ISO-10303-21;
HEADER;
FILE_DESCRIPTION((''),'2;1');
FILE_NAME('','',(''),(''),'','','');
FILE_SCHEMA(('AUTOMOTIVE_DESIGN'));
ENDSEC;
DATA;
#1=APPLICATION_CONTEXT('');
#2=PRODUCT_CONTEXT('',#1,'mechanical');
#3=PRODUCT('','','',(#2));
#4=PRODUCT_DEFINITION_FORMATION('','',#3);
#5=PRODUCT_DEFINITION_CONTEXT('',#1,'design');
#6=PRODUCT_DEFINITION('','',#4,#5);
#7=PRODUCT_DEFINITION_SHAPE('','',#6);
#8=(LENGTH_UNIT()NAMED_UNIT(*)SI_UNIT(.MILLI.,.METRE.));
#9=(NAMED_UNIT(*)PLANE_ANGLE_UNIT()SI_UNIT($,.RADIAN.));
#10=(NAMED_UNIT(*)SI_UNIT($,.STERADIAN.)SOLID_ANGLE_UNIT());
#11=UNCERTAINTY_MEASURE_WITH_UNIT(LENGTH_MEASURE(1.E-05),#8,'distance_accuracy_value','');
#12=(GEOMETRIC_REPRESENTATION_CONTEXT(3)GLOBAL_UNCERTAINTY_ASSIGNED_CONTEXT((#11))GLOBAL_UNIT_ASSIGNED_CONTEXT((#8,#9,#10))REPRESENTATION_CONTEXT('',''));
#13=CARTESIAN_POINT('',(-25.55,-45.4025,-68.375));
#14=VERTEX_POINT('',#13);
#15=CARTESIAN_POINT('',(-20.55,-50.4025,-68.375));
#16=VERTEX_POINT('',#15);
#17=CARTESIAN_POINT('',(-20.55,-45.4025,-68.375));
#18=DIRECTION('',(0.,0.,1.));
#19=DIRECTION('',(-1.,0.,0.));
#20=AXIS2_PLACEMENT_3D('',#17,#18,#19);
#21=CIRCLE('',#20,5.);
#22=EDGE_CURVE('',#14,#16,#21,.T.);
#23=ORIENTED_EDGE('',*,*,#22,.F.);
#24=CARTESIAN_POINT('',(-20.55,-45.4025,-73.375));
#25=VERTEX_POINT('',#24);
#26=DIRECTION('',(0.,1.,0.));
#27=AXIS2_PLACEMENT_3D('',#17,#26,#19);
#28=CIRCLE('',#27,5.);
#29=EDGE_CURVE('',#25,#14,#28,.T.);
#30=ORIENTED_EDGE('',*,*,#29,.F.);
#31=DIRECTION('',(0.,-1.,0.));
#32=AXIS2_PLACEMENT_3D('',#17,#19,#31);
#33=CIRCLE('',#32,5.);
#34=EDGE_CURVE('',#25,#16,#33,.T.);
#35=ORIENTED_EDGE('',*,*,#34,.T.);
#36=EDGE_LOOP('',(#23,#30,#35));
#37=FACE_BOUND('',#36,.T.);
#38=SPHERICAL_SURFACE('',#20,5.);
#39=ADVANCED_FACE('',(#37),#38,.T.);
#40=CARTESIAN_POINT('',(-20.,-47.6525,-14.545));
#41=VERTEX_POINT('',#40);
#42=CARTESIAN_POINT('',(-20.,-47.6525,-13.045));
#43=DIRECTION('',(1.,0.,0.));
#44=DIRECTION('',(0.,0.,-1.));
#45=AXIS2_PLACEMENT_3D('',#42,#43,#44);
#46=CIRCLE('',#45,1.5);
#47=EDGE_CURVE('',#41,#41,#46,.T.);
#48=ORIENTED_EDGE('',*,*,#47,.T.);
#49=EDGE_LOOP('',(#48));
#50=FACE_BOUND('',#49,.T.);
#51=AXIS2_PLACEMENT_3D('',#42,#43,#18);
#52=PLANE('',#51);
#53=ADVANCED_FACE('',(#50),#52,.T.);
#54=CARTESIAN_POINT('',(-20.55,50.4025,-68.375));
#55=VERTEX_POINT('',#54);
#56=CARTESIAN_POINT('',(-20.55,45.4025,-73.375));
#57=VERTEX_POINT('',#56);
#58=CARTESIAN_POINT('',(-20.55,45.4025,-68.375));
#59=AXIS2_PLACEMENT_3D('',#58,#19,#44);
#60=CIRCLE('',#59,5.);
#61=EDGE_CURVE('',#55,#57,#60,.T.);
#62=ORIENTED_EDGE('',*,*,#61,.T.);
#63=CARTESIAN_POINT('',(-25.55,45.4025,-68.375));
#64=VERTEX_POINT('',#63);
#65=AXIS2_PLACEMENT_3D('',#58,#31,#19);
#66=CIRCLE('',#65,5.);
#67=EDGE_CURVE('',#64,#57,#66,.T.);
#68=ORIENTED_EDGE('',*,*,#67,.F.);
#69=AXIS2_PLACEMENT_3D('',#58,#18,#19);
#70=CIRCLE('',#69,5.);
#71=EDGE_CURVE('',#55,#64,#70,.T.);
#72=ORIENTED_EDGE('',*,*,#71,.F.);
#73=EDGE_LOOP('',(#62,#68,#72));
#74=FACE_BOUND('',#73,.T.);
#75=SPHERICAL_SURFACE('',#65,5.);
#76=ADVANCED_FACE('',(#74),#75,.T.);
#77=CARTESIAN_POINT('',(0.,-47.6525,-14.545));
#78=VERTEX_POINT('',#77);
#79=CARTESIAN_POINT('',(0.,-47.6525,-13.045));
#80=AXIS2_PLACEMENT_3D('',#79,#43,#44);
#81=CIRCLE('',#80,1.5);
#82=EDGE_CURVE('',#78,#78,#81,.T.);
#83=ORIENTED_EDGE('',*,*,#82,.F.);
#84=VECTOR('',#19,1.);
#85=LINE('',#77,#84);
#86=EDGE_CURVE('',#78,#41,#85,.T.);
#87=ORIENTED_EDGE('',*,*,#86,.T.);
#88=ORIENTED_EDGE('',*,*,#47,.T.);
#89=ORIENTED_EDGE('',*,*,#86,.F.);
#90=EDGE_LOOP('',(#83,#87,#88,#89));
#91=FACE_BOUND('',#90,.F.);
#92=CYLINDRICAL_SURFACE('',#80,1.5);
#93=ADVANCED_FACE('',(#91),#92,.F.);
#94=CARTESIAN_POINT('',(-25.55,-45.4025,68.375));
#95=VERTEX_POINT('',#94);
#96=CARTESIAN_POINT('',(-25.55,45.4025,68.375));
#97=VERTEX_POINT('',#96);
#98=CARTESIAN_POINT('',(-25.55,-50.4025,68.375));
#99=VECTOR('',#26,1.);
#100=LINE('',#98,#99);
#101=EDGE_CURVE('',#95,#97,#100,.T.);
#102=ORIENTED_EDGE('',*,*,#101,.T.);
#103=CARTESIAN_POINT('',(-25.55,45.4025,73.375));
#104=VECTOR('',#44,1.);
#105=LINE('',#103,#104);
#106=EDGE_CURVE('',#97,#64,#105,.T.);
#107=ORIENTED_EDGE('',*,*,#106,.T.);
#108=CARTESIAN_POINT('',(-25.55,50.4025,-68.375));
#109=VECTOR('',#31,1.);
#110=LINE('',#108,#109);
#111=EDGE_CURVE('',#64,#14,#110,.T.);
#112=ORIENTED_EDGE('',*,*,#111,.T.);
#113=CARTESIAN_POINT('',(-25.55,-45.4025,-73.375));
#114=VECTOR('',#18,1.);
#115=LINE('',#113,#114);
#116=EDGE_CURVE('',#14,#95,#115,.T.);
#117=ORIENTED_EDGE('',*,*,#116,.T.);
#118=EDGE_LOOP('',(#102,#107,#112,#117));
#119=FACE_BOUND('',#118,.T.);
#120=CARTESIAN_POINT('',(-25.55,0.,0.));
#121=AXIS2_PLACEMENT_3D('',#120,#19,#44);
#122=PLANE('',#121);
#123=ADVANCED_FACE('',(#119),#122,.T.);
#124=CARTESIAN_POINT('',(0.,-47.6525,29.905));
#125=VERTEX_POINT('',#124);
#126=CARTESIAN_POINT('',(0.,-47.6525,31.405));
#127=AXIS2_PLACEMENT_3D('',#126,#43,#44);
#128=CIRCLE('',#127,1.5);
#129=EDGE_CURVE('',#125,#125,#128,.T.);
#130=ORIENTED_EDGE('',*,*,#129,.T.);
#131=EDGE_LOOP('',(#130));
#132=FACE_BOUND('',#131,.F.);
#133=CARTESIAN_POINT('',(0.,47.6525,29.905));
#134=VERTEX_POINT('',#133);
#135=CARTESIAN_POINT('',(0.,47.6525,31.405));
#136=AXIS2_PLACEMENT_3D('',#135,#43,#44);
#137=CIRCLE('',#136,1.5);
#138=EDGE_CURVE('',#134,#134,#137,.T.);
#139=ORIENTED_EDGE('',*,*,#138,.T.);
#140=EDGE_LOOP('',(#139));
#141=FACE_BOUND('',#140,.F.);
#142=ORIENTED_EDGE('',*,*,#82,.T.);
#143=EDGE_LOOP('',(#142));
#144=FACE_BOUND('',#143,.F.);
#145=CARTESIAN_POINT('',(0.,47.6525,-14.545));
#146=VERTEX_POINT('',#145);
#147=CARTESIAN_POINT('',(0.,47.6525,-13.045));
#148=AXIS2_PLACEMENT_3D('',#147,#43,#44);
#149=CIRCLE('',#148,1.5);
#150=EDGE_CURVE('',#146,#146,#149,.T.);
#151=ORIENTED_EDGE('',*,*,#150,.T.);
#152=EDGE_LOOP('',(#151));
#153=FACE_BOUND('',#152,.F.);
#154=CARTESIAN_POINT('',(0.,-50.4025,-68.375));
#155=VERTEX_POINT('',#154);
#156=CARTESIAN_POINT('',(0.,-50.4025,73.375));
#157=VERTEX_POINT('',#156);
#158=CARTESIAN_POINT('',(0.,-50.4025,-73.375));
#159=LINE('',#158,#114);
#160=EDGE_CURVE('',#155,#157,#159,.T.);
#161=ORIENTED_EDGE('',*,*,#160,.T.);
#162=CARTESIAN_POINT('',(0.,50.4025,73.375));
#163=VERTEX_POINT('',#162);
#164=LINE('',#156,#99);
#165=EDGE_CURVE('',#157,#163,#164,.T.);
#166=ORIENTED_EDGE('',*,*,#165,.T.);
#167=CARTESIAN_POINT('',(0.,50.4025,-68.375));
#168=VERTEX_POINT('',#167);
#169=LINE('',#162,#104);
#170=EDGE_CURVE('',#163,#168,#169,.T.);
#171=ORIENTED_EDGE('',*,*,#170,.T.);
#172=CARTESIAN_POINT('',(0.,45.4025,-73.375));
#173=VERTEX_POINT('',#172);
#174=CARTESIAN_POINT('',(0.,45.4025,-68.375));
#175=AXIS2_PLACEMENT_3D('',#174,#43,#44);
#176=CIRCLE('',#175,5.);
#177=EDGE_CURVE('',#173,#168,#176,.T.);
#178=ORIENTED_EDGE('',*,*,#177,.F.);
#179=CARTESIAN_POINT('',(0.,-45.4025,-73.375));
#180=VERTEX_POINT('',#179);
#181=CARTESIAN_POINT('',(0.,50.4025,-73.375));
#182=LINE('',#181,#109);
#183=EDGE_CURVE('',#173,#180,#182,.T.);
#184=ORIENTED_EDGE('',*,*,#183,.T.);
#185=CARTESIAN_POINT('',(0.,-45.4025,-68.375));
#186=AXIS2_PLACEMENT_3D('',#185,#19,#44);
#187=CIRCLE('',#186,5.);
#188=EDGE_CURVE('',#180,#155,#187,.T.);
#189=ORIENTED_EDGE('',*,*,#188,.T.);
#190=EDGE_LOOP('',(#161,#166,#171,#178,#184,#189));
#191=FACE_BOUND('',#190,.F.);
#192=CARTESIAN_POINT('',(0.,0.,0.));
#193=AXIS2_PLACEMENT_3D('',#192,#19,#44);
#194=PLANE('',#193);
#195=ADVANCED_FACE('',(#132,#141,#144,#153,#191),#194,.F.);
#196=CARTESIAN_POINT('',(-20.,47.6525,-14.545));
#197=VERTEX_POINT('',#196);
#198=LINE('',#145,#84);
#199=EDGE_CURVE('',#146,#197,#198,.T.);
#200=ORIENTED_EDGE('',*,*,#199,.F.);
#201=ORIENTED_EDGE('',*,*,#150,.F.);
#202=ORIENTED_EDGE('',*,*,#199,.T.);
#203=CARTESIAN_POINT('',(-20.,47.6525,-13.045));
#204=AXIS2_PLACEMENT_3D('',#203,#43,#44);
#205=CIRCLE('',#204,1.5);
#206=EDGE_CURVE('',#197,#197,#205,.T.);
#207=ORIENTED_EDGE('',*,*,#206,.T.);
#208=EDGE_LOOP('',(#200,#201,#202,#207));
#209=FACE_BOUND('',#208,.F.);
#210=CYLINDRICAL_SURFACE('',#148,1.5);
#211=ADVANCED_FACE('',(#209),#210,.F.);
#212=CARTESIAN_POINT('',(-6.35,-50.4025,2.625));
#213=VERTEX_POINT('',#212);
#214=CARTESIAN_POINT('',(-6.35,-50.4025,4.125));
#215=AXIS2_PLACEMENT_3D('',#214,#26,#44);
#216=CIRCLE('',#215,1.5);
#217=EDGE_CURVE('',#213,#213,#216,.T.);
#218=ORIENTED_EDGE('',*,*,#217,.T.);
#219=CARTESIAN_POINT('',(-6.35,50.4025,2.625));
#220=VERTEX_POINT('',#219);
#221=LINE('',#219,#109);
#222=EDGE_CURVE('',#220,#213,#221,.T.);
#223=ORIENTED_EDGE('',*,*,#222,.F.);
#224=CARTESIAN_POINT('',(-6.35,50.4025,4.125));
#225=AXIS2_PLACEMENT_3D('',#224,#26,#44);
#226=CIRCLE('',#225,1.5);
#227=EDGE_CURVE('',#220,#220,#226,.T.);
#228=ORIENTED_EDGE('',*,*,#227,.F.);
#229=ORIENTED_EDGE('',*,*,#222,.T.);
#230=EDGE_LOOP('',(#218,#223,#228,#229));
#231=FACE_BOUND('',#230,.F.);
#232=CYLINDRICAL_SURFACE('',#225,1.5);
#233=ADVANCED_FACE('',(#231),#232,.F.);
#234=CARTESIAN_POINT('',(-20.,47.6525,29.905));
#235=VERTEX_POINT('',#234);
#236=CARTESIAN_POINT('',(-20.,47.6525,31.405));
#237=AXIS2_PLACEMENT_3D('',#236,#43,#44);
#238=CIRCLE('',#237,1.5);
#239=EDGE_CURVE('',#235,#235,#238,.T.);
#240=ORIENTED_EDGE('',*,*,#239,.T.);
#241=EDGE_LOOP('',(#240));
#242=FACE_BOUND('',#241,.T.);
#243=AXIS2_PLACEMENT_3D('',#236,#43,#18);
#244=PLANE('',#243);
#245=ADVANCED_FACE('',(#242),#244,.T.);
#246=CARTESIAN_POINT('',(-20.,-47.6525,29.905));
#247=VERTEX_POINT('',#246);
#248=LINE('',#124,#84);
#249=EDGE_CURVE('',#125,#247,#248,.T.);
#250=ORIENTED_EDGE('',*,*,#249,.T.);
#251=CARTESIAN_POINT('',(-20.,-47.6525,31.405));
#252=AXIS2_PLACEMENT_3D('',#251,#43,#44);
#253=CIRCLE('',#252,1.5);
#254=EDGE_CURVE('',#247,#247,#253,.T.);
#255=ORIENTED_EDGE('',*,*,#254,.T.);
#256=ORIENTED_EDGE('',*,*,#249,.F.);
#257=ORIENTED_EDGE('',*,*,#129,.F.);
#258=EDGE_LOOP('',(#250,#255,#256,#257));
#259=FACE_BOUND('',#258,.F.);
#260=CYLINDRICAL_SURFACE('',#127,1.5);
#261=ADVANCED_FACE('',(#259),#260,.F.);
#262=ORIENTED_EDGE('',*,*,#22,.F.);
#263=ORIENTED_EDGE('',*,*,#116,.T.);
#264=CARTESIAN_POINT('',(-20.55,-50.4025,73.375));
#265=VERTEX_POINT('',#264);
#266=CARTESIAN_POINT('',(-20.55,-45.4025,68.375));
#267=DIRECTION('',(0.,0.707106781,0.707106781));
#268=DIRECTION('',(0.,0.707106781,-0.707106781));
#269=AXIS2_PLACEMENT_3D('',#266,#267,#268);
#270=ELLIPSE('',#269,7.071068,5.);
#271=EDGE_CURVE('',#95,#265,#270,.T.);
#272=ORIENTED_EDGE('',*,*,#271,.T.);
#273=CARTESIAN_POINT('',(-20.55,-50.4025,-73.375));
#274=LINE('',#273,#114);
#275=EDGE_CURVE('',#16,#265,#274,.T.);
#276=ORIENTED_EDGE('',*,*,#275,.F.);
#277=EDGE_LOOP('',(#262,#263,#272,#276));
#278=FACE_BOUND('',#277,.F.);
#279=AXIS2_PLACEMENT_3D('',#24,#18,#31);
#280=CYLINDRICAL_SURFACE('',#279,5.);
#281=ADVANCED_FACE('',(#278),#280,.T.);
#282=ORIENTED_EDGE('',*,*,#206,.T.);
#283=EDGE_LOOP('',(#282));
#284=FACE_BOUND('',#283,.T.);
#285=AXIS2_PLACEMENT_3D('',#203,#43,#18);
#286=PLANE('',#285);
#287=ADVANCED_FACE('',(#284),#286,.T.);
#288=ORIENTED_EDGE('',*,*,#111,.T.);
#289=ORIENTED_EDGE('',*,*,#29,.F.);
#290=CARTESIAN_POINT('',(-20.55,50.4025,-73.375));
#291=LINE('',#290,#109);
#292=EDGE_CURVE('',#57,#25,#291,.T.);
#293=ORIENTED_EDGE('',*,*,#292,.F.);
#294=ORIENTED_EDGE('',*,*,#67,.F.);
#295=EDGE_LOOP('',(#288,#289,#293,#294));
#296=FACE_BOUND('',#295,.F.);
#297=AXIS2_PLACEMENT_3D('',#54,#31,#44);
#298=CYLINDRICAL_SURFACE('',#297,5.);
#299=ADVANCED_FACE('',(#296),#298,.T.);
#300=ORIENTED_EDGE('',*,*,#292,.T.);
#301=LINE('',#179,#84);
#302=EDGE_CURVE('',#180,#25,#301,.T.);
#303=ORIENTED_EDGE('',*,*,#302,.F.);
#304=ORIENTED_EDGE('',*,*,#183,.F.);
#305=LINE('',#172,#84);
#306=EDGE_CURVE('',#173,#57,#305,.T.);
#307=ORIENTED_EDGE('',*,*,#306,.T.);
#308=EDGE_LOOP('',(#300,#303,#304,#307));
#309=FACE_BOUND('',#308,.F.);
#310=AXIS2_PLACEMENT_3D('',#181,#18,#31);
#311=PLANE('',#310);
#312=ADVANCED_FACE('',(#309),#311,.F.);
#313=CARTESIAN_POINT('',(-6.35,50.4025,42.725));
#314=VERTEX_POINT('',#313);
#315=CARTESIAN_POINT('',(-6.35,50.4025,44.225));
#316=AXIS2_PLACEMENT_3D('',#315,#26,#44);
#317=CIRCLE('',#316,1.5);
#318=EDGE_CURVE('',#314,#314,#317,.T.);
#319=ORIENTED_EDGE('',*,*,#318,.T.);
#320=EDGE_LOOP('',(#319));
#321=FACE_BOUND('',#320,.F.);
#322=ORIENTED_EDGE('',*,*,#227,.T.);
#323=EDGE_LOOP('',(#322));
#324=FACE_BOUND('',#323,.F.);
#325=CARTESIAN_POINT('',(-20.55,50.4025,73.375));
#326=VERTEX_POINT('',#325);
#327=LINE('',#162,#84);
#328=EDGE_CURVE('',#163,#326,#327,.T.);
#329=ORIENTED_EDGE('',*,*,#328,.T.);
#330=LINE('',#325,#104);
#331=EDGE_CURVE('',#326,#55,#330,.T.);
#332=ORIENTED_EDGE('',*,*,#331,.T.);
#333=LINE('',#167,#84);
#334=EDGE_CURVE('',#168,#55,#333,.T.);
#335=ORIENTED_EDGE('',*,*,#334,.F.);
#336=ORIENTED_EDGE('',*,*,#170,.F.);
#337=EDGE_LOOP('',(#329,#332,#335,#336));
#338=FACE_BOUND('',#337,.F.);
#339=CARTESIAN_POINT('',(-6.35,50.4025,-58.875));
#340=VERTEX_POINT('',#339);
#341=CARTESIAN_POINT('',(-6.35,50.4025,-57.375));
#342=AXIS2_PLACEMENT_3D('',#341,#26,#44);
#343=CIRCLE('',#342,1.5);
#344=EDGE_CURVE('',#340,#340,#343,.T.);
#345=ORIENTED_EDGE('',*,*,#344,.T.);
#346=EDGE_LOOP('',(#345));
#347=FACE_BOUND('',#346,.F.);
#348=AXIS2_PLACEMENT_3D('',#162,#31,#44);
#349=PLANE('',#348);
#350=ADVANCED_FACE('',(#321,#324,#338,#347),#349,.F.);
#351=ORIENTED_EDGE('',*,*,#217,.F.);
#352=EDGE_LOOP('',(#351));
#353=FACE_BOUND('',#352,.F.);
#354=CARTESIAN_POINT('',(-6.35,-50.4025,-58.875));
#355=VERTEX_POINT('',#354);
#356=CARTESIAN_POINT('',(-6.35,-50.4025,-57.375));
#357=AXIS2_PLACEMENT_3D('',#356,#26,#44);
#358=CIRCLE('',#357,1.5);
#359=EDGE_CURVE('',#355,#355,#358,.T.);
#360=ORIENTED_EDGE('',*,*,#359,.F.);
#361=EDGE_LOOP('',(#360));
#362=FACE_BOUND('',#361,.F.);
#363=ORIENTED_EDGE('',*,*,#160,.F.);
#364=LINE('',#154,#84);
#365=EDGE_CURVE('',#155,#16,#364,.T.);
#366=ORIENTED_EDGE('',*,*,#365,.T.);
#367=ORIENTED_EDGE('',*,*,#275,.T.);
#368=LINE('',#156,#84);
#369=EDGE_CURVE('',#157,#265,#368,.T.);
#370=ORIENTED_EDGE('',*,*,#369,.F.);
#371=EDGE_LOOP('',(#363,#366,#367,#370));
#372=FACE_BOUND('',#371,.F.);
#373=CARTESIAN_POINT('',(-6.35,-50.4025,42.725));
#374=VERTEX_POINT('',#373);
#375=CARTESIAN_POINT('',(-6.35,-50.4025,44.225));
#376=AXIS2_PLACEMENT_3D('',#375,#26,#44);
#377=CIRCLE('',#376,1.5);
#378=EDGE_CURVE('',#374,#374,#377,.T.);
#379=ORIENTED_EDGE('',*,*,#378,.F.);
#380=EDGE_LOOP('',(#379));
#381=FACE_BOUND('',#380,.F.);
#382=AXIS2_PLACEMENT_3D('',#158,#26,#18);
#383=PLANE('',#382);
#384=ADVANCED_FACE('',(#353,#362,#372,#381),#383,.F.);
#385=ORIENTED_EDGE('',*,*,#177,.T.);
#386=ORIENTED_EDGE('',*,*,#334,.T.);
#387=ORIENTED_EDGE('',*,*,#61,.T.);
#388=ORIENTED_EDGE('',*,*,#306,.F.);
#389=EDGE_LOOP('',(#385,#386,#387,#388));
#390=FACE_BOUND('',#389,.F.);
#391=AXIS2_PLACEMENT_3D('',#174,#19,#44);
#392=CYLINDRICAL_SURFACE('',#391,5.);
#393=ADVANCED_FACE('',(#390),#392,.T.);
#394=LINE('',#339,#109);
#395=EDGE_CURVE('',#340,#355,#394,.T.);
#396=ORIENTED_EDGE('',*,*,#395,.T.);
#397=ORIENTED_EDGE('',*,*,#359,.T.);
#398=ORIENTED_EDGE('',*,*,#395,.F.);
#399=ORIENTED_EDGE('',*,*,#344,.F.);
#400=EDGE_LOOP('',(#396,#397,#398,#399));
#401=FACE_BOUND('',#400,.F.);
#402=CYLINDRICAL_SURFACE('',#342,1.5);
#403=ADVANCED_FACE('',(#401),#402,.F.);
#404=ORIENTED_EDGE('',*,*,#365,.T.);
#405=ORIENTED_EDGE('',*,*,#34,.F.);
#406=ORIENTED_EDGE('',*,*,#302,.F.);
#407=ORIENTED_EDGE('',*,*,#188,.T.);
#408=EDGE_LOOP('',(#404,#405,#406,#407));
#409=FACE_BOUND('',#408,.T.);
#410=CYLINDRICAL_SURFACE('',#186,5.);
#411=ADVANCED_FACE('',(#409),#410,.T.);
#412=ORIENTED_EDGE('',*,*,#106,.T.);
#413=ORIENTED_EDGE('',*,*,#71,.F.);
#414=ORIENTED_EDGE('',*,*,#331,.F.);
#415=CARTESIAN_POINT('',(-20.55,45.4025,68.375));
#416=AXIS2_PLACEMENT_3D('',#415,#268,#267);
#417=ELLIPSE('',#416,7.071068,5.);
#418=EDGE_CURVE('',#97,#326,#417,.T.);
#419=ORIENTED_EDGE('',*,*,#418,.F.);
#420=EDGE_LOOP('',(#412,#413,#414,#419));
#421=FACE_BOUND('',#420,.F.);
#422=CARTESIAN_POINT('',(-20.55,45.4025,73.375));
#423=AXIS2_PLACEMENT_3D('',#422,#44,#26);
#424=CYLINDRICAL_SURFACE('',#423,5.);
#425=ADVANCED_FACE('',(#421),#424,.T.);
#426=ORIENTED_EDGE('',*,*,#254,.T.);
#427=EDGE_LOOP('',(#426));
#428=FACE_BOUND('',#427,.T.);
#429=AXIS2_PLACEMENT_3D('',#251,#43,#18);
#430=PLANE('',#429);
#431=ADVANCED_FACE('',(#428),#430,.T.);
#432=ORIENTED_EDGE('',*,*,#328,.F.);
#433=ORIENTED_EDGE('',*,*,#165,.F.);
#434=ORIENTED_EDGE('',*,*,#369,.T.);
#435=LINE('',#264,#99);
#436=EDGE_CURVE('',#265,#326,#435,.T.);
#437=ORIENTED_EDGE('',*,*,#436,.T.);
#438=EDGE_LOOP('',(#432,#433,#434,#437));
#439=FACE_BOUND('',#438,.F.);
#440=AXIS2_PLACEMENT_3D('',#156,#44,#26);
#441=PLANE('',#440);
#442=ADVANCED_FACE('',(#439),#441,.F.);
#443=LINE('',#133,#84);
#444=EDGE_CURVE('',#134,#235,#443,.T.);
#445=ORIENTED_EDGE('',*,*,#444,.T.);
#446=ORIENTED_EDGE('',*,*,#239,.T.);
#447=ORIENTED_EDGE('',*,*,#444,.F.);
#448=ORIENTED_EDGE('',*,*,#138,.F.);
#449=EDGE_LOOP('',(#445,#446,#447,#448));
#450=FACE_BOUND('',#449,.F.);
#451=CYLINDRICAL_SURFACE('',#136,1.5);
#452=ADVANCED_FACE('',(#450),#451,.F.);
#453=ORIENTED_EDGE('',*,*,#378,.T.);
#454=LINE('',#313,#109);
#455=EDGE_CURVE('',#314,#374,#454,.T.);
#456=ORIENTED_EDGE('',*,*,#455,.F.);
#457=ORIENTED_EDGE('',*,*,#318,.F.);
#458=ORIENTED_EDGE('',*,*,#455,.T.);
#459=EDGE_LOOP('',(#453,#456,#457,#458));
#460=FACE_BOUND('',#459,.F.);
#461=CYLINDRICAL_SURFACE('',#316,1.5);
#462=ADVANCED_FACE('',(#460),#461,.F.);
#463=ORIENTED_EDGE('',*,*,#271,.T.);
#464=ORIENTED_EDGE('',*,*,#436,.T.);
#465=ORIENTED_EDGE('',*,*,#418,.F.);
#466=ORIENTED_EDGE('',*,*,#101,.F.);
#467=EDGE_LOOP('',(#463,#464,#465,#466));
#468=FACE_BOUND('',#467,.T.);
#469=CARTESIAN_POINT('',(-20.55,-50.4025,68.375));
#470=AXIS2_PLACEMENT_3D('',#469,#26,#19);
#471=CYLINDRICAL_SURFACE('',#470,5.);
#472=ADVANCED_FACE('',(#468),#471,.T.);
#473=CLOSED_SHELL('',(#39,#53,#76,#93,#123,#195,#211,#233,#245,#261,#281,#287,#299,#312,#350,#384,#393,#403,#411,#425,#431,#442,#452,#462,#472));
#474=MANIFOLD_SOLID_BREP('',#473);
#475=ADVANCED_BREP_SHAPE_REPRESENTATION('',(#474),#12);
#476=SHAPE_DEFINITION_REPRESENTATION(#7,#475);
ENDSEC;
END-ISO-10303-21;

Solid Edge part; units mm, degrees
sketch "Sketch1" plane through (0, 0, 0) normal (-1, 0, 0) x (0, -1, 0)
  line L0 (-50.4025, -73.375) -> (50.4025, -73.375)
  line L1 (50.4025, -73.375) -> (50.4025, 73.375)
  line L2 (50.4025, 73.375) -> (-50.4025, 73.375)
  line L3 (-50.4025, 73.375) -> (-50.4025, -73.375)
  dimension "D1" = 100.805
  dimension "D2" = 146.75
extrude "Protrusion1" add sketch "Sketch1" along normal blind 25.55
sketch "Sketch2" plane through (-12.775, 50.4025, 0) normal (0, 1, 0) x (0, 0, -1)
  circle A0 centre (-44.225, -6.425) radius 1.5
  circle A1 centre (-4.125, -6.425) radius 1.5
  circle A2 centre (57.375, -6.425) radius 1.5
  dimension "D1" = 3
  dimension "D2" = 3
  dimension "D3" = 3
  dimension "D4" = 6.35
  dimension "D5" = 101.6
  dimension "D6" = 60
  dimension "D7" = 16
extrude "Cutout1" cut sketch "Sketch2" along normal mid plane 330
sketch "Sketch3" plane through (0, 0, 0) normal (1, 0, 0) x (0, 0, -1)
  circle A0 centre (-31.405, 47.6525) radius 1.5
  circle A1 centre (13.045, 47.6525) radius 1.5
  circle A2 centre (-31.405, -47.6525) radius 1.5
  circle A3 centre (13.045, -47.6525) radius 1.5
  dimension "D1" = 3
  dimension "D2" = 3
  dimension "D3" = 3
  dimension "D4" = 3
extrude "Cutout2" cut sketch "Sketch3" against normal blind 20
fillet "Round_6" radius 5 6 edges at (-25.55, 0, 73.375) (-25.55, -50.4025, 0) (-25.55, 0, -73.375) (-25.55, 50.4025, 0) (-12.775, 50.4025, -73.375) (-12.775, -50.4025, -73.375)
